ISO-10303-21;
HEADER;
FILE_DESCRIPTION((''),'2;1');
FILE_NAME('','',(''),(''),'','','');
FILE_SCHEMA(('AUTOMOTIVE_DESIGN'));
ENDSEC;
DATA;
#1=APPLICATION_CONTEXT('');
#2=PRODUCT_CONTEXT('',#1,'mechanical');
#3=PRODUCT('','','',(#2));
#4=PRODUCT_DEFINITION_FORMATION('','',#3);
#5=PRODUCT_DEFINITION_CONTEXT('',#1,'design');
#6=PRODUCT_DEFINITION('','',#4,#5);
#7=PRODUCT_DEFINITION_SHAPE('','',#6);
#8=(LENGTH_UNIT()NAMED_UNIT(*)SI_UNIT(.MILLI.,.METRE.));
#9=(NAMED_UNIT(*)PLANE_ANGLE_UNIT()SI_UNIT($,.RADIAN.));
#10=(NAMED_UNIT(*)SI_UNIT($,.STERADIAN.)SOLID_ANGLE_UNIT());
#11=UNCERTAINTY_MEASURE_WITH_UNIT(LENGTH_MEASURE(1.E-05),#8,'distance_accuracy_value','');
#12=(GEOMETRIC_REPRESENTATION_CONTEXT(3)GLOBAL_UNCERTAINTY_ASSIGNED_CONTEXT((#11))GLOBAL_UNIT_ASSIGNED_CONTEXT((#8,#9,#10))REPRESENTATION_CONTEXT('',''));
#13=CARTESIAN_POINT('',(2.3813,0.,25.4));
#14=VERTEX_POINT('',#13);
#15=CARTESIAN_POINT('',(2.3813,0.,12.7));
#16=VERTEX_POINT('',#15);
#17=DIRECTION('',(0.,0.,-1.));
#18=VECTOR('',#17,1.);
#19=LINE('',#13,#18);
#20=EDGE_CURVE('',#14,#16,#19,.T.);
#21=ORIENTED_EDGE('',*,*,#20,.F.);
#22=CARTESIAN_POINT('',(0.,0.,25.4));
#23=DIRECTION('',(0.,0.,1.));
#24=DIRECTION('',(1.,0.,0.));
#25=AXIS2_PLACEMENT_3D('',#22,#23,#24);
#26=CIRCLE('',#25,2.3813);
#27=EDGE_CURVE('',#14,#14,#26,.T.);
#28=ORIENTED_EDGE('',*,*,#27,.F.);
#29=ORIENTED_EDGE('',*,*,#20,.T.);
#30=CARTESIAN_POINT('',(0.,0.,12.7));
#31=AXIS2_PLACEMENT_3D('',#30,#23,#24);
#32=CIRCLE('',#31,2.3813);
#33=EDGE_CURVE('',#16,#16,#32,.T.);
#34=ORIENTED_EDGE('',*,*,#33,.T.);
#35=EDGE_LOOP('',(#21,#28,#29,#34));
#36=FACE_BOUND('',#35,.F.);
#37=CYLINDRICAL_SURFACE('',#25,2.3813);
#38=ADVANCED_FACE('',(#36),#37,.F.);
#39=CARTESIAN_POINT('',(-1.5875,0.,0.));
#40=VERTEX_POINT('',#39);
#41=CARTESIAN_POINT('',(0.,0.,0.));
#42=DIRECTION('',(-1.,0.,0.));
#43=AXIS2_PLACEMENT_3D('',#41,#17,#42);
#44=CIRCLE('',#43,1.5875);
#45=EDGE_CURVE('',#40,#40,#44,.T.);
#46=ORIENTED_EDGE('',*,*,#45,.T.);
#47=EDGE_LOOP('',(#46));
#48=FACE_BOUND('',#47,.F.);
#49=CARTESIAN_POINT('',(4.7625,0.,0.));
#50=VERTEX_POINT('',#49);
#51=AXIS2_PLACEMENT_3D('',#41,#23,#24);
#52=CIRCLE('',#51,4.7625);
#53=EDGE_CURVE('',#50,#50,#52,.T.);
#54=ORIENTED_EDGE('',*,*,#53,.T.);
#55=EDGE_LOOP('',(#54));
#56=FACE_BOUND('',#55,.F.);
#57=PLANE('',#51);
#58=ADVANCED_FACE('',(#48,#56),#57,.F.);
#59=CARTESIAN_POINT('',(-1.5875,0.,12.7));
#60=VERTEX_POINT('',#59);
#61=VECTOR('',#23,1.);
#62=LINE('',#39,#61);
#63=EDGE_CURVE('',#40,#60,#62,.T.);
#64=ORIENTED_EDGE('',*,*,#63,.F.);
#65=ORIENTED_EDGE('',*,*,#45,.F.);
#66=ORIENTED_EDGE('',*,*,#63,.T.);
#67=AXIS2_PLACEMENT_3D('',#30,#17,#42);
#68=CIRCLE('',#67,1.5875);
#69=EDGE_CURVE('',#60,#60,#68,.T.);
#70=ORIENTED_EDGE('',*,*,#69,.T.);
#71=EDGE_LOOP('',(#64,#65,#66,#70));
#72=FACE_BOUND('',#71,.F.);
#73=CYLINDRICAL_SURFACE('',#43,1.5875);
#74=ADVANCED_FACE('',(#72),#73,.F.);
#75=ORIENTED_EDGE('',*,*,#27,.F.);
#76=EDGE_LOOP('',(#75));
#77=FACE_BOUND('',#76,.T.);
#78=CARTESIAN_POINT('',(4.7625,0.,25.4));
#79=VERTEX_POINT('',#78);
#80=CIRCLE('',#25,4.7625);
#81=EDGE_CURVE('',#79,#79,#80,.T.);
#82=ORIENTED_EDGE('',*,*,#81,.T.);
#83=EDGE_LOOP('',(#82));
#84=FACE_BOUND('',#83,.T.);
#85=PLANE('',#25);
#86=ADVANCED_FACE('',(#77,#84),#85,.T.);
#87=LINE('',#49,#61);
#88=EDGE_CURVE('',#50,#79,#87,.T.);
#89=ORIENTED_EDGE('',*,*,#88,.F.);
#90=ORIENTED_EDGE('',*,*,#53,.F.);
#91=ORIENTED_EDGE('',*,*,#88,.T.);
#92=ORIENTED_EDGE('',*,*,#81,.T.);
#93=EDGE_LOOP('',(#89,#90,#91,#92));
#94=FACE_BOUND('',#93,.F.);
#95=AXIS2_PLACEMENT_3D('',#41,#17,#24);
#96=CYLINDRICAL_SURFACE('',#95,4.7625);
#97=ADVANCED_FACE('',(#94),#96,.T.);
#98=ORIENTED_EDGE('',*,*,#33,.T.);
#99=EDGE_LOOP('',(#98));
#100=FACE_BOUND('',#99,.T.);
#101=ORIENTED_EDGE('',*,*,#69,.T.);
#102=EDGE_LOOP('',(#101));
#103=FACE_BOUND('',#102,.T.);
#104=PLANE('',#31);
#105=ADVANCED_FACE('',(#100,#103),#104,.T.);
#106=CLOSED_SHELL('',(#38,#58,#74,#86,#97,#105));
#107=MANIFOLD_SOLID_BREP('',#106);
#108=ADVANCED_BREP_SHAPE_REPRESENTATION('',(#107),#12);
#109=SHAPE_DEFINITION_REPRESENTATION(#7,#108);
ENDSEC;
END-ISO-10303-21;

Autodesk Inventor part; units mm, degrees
ref_plane "YZ Plane" through (0, 0, 0) normal (1, 0, 0) x (0, 1, 0)
ref_plane "XZ Plane" through (0, 0, 0) normal (0, 1, 0) x (-1, 0, 0)
ref_plane "XY Plane" through (0, 0, 0) normal (0, 0, 1) x (1, 0, 0)
sketch "Sketch1" plane through (0, 0, 0) normal (0, 0, 1) x (1, 0, 0)
  circle A0 centre (0, 0) radius 4.7625
  dimension "d0" = 9.525
extrude "Extrusion1" add sketch "Sketch1" along normal blind 25.4
sketch "Sketch2" plane through (0, 0, 25.4) normal (0, 0, 1) x (1, 0, 0)
  circle A0 centre (0, 0) radius 2.3813
  dimension "d3" = 4.7625
extrude "Extrusion2" cut sketch "Sketch2" against normal blind 12.7
sketch "Sketch3" plane through (0, 0, 0) normal (0, 0, -1) x (-1, 0, 0)
  circle A0 centre (0, 0) radius 1.5875
  dimension "d6" = 3.175
extrude "Extrusion3" cut sketch "Sketch3" against normal blind 12.7
properties part number "Coupler" material "Brass"
